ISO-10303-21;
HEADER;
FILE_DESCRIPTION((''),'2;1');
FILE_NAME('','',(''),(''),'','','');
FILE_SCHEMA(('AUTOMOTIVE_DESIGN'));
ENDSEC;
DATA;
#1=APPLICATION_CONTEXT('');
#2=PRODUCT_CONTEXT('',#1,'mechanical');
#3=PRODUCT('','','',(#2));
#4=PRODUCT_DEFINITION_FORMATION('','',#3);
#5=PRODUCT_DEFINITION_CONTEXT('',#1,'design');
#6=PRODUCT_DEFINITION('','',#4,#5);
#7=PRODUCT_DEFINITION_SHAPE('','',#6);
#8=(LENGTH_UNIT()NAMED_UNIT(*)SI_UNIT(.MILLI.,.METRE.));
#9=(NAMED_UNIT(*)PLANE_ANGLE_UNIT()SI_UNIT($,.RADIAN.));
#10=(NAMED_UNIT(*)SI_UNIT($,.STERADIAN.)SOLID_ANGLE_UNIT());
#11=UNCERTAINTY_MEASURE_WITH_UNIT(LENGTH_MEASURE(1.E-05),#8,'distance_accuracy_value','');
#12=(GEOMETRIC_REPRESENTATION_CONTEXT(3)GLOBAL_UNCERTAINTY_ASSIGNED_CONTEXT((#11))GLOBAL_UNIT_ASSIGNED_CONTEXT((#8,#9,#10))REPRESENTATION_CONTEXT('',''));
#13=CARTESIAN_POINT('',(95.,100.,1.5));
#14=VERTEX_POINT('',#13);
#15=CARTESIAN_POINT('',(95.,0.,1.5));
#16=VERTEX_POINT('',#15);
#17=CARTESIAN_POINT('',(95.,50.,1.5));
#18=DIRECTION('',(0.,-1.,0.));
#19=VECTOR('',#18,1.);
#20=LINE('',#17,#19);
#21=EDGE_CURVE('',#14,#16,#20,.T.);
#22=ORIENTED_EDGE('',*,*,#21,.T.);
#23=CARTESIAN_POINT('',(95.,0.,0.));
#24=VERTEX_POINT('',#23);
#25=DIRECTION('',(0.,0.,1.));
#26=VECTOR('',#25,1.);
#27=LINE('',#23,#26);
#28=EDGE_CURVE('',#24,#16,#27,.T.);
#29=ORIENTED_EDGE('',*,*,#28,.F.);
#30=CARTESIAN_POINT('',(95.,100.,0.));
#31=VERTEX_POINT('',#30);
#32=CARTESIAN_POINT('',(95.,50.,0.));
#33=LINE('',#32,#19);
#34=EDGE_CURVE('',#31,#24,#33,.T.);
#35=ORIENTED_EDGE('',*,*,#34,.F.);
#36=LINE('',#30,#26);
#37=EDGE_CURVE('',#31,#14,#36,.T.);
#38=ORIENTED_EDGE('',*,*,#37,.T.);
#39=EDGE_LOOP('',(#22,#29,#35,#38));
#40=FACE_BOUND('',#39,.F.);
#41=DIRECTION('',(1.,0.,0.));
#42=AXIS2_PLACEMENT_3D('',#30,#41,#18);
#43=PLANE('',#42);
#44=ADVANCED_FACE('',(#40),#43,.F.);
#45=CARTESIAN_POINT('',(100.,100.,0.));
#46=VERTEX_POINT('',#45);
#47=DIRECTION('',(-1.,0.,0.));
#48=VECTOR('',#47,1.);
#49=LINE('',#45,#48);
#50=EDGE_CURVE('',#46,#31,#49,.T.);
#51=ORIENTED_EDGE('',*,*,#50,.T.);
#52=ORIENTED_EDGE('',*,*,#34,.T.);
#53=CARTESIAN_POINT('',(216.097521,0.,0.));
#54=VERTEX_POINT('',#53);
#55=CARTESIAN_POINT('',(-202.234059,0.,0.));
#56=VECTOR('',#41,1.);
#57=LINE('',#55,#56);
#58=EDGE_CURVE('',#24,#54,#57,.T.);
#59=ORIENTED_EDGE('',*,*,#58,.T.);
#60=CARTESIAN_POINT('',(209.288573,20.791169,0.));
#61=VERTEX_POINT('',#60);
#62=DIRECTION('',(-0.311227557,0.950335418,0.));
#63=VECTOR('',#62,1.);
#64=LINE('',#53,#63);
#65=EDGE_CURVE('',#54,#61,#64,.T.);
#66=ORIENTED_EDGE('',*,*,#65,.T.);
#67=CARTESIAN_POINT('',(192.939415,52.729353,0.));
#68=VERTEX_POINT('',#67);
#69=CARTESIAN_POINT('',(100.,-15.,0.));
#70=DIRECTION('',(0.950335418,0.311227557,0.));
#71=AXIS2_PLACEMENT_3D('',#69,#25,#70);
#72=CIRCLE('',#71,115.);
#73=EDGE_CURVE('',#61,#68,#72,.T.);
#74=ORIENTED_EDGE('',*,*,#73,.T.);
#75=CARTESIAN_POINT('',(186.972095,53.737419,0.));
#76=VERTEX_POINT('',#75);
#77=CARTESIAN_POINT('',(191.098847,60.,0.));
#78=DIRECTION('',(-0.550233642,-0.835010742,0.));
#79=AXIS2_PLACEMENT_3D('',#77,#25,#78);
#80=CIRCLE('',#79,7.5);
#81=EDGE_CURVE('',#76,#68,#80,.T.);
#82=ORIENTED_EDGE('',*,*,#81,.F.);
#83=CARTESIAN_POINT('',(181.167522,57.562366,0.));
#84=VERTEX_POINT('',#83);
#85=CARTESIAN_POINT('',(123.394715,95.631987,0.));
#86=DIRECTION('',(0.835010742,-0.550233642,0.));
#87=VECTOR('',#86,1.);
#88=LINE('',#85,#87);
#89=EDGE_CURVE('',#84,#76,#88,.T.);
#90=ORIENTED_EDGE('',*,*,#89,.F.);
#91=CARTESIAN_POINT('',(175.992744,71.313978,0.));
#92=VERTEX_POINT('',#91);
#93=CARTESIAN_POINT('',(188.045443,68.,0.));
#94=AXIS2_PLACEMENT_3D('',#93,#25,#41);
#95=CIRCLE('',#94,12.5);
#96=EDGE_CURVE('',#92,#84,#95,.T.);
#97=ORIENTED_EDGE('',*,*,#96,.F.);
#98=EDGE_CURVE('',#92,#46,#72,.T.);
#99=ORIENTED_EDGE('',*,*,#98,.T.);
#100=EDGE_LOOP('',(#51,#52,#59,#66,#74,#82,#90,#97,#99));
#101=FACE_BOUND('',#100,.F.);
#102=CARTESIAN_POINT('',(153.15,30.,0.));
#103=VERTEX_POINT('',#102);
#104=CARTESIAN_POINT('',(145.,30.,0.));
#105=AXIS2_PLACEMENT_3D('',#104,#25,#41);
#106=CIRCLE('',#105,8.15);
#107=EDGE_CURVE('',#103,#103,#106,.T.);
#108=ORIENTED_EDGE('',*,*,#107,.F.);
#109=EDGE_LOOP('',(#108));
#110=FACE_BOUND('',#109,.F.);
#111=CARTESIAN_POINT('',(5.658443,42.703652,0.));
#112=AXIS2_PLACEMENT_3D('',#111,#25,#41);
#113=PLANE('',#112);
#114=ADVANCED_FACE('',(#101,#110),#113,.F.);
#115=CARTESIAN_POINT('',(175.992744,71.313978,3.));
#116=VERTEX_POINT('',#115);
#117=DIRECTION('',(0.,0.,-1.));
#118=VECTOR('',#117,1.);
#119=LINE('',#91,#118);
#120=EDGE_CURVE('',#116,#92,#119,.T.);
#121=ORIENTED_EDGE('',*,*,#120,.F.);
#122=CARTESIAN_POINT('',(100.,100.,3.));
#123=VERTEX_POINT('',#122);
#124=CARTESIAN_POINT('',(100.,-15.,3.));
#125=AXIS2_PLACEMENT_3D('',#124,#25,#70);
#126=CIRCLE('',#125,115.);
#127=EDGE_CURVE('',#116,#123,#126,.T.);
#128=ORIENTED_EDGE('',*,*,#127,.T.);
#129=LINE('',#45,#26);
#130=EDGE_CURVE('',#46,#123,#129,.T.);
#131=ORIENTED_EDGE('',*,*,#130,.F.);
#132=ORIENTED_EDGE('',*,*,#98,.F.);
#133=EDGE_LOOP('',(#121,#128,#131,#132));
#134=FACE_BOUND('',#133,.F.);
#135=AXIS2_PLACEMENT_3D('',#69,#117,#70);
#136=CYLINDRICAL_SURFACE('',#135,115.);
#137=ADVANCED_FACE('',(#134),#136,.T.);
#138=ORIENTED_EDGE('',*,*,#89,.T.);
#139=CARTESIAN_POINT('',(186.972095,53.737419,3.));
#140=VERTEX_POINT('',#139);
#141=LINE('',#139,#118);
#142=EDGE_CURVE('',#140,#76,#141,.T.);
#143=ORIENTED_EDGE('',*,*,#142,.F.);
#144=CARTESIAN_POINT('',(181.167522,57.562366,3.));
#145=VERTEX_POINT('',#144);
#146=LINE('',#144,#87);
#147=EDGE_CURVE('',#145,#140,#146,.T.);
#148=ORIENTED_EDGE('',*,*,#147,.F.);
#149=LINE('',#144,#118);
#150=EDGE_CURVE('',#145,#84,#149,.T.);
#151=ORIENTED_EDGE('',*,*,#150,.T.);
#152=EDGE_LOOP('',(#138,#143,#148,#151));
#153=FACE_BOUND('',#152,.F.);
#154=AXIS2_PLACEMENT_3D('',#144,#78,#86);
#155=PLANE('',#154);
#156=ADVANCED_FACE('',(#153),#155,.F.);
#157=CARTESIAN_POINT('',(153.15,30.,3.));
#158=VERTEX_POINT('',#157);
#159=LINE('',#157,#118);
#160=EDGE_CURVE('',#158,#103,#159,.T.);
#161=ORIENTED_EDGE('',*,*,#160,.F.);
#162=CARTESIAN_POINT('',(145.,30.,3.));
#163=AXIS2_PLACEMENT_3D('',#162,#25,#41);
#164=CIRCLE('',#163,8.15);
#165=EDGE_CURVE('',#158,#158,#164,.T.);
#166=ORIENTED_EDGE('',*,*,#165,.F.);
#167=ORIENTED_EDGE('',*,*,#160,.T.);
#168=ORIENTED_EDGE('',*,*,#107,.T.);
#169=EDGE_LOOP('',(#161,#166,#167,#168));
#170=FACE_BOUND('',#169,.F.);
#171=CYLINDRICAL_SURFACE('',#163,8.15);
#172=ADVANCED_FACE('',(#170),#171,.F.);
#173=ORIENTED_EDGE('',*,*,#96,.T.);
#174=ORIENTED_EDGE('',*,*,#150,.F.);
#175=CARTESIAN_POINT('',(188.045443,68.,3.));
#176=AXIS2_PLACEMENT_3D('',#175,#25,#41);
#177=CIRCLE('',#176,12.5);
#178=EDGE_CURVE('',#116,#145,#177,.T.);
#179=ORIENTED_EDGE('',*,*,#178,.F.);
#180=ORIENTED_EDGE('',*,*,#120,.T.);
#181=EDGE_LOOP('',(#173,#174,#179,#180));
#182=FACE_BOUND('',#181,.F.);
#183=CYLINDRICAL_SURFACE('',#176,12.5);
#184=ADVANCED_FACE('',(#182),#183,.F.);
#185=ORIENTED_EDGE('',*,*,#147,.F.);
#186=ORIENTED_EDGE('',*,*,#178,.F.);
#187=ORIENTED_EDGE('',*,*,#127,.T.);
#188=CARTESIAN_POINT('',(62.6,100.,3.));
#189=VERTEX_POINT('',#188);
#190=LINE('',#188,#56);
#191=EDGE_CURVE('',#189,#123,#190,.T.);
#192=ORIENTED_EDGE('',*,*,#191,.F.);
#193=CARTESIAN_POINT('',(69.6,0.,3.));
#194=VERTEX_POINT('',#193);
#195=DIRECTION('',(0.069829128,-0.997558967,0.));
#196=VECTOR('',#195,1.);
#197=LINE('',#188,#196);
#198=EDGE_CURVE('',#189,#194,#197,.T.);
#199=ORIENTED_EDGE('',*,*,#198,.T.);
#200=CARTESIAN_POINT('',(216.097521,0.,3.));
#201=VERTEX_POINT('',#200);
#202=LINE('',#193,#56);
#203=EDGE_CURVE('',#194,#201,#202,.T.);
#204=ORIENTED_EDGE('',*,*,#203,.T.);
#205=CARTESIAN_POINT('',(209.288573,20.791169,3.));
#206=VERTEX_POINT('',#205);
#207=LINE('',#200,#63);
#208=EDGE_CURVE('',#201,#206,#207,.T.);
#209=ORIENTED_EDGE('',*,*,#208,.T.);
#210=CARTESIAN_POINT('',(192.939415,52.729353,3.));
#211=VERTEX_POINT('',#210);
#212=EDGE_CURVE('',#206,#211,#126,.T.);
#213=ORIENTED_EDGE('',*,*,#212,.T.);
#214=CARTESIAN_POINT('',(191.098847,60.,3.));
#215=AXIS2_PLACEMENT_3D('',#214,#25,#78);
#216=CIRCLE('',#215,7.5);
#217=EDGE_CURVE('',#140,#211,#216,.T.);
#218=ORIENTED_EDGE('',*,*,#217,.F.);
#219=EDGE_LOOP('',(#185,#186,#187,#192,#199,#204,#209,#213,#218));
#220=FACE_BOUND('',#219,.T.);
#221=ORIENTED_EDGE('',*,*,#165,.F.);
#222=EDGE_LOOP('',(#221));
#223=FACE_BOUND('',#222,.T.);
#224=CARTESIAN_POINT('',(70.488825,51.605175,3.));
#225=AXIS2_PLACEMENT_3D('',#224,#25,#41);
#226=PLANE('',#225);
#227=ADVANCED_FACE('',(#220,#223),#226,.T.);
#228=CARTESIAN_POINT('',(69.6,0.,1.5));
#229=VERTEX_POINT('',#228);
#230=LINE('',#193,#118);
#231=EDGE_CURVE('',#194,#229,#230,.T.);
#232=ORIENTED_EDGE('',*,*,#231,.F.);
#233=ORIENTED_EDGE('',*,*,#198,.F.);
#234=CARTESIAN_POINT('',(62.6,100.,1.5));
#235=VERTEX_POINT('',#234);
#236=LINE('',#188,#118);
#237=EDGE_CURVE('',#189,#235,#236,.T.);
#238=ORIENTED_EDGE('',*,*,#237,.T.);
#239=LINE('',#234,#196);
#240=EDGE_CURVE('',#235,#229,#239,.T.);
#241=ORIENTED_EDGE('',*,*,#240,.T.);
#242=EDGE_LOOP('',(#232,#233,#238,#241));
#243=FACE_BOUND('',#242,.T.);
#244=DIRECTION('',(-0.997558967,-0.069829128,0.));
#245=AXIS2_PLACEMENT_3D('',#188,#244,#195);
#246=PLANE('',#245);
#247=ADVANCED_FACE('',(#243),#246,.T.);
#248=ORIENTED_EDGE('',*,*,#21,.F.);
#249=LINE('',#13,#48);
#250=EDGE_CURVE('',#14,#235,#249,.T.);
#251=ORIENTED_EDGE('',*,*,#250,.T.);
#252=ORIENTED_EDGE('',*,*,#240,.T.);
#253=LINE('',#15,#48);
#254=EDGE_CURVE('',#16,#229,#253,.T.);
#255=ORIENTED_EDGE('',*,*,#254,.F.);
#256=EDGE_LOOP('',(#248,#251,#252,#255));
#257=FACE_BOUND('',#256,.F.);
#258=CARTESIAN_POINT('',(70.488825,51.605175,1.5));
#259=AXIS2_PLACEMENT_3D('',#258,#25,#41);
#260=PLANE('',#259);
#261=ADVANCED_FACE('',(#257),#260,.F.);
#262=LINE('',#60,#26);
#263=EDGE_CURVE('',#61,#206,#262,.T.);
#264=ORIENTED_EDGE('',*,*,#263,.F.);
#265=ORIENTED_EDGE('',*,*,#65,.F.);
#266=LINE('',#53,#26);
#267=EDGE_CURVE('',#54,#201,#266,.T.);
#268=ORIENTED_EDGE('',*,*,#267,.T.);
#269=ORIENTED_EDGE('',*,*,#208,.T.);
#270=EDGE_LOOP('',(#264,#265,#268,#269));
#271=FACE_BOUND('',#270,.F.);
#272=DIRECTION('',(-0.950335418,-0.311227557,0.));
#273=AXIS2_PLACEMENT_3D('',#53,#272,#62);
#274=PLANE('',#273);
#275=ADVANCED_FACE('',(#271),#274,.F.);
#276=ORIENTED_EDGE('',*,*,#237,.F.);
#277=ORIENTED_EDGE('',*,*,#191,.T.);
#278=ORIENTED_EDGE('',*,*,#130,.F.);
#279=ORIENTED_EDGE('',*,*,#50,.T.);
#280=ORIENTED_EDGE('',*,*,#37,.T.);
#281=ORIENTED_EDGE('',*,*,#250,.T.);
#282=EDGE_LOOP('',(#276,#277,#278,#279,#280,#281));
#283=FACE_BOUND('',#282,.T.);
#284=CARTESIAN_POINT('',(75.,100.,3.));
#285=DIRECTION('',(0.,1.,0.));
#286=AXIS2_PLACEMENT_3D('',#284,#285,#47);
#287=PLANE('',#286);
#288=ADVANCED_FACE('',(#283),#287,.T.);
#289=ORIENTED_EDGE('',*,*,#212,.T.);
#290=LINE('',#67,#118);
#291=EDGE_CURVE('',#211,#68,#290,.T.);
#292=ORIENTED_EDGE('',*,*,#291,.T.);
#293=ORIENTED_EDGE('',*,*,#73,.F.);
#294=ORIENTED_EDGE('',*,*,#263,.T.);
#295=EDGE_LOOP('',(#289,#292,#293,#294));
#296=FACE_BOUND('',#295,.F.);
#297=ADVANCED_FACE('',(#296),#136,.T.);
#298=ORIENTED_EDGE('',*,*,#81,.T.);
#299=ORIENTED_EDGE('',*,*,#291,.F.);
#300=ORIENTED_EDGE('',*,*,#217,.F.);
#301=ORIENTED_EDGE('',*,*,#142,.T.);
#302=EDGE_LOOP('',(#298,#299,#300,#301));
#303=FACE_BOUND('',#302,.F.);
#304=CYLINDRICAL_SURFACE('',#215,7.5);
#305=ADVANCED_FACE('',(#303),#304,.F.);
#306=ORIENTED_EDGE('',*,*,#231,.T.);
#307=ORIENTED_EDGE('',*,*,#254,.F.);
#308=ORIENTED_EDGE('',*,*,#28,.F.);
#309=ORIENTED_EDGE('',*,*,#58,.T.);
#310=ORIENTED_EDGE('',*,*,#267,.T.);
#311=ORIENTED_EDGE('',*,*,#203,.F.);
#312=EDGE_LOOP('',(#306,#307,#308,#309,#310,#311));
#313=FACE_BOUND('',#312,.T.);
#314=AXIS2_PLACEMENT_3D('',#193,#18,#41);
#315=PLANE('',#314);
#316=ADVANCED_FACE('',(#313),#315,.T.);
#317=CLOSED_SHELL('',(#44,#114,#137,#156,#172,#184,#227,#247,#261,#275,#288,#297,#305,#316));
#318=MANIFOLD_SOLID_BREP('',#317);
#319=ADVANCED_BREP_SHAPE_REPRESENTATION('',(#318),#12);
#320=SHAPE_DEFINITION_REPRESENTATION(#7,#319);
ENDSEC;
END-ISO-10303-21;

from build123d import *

# Parameters (mm, degrees)
F1_DEPTH  = 3
F3_DEPTH  = 25
F4_R      = 5
F5_R      = 11.15
F5_R_2    = 2.65
F6_DEPTH  = 25
F7_W      = 78
F7_H      = 55.5
F7_R      = 2
F8_DEPTH  = 25
F9_R      = 8.15
F10_DEPTH = 25
F12_W     = 307.7535755343
F12_H     = 117.255145081
F13_DEPTH = 25
F14_W     = 20
F14_H     = 100
F15_DEPTH = 1.5
F17_DEPTH = 1.5
F19_DEPTH = 25


with BuildPart() as f1:
    # F0 (on Top) → F1 (new body)
    with BuildSketch(Plane.XY):
        with BuildLine():
            Line((-197.8147600734, 20.7911690818), (-202.2340594865, 0))
            Line((-202.2340594865, 0), (216.0975214603, 0))
            Line((216.0975214603, 0), (209.2885731253, 20.7911690818))
            ThreePointArc((209.2885731253, 20.7911690818), (167.4870934164, 78.1154778874), (100, 100))
            Line((100, 100), (-100, 100))
            ThreePointArc((-100, 100), (-162.932039105, 77.7145961457), (-197.8147600734, 20.7911690818))
        make_face()
    extrude(amount=F1_DEPTH)

    # F2 (on face) → F3 (cut)
    with BuildSketch(Plane.XY.offset(3)):
        with BuildLine():
            ThreePointArc((1.5842979518, 0), (9.4530988092, 4.1693984068), (12.6, 12.5))
            ThreePointArc((12.6, 12.5), (12.2192388124, 15.5741182224), (11.0999678023, 18.4624420155))
            ThreePointArc((11.0999678023, 18.4624420155), (0, 25.1), (-11.0999678023, 18.4624420155))
            ThreePointArc((-11.0999678023, 18.4624420155), (-11.1999147641, 6.7274867453), (-1.5842979518, 0))
            Line((-1.5842979518, 0), (1.5842979518, 0))
        make_face()
        with BuildLine():
            ThreePointArc((11.0999678023, 18.4624420155), (12.2192388124, 15.5741182224), (12.6, 12.5))
            ThreePointArc((12.6, 12.5), (9.4530988092, 4.1693984068), (1.5842979518, 0))
            Line((1.5842979518, 0), (21.7592636698, 0))
            Line((21.7592636698, 0), (11.0999678023, 18.4624420155))
        make_face()
        with BuildLine():
            ThreePointArc((-1.5842979518, 0), (0, -0.1), (1.5842979518, 0))
            Line((1.5842979518, 0), (-1.5842979518, 0))
        make_face()
        with BuildLine():
            ThreePointArc((-1.5842979518, 0), (-11.1999147641, 6.7274867453), (-11.0999678023, 18.4624420155))
            Line((-11.0999678023, 18.4624420155), (-21.7592636698, 0))
            Line((-21.7592636698, 0), (-1.5842979518, 0))
        make_face()
    extrude(amount=-F3_DEPTH, mode=Mode.SUBTRACT)

    # F4
    f4_edges = [f1.edges().sort_by_distance(p)[0] for p in [
        (-21.759264, 0, 1.5),
        (21.759264, 0, 1.5),
    ]]
    fillet(f4_edges, radius=F4_R)

    # F5 (on face) → F6 (cut)
    with BuildSketch(Plane.XY.offset(3)):
        Polygon((-145, 38.9489291724), (-152.75, 34.4744645862), (-152.75, 25.5255354138), (-145, 21.0510708276), (-137.25, 25.5255354138), (-137.25, 34.4744645862), align=None)
        with Locations((-115, 30)):
            Circle(F5_R)
        with Locations((-115, 60)):
            Circle(F5_R_2)
        with Locations((-145, 60)):
            Circle(F5_R_2)
    extrude(amount=-F6_DEPTH, mode=Mode.SUBTRACT)

    # F7 (on face) → F8 (cut)
    with BuildSketch(Plane.XY.offset(3)):
        with Locations((0, 57.75)):
            Rectangle(F7_W, F7_H)
        with Locations((-42.6313167033, 28.25)):
            Circle(F7_R)
        with Locations((-42.6313167033, 87.25)):
            Circle(F7_R)
        with Locations((42.3686832967, 87.25)):
            Circle(F7_R)
        with Locations((42.3686832967, 28.25)):
            Circle(F7_R)
    extrude(amount=-F8_DEPTH, mode=Mode.SUBTRACT)

    # F9 (on face) → F10 (cut)
    with BuildSketch(Plane.XY.offset(3)):
        with Locations((145, 30)):
            Circle(F9_R)
    extrude(amount=-F10_DEPTH, mode=Mode.SUBTRACT)

    # F12 (on face) → F13 (cut)
    with BuildSketch(Plane.XY.offset(3)):
        with Locations((-78.8767877671, 58.6275725405)):
            Rectangle(F12_W, F12_H)
    extrude(amount=-F13_DEPTH, mode=Mode.SUBTRACT)

    # F14 (on face) → F15 (cut)
    with BuildSketch(Plane(origin=(0, 0, 0), x_dir=(1, 0, 0), z_dir=(0, 0, -1))):
        with Locations((85, -50)):
            Rectangle(F14_W, F14_H)
    extrude(amount=-F15_DEPTH, mode=Mode.SUBTRACT)

    # F16 (on face) → F17 (join)
    with BuildSketch(Plane.XY.offset(3)):
        Polygon((75, 0), (75, 100), (62.6, 100), (69.6, 0), align=None)
    extrude(amount=-F17_DEPTH)

    # F18 (on face) → F19 (cut)
    with BuildSketch(Plane.XY.offset(3)):
        with BuildLine():
            ThreePointArc((198.5084757314, 61.1607791283), (200.0253825343, 64.4319411082), (200.5454428122, 68))
            ThreePointArc((200.5454428122, 68), (182.1177116525, 79.0050898814), (181.1675222846, 57.562365727))
            ThreePointArc((181.1675222846, 57.562365727), (182.9183296915, 56.599881095), (184.8001189484, 55.9286341693))
            ThreePointArc((184.8001189484, 55.9286341693), (188.4244577932, 67.0069708263), (198.5084757314, 61.1607791283))
        make_face()
        with BuildLine():
            ThreePointArc((184.8001189484, 55.9286341693), (182.9183296915, 56.599881095), (181.1675222846, 57.562365727))
            Line((181.1675222846, 57.562365727), (186.9720950966, 53.7374194362))
            ThreePointArc((186.9720950966, 53.7374194362), (185.772214529, 54.7201342708), (184.8001189484, 55.9286341693))
        make_face()
        with BuildLine():
            ThreePointArc((198.5988474131, 60), (198.5762203605, 60.5821458635), (198.5084757314, 61.1607791283))
            ThreePointArc((198.5084757314, 61.1607791283), (192.5027588454, 56.3217152895), (184.8001189484, 55.9286341693))
            ThreePointArc((184.8001189484, 55.9286341693), (185.772214529, 54.7201342708), (186.9720950966, 53.7374194362))
            ThreePointArc((186.9720950966, 53.7374194362), (194.655486109, 53.3969460712), (198.5988474131, 60))
        make_face()
        with BuildLine():
            ThreePointArc((184.8001189484, 55.9286341693), (192.5027588454, 56.3217152895), (198.5084757314, 61.1607791283))
            ThreePointArc((198.5084757314, 61.1607791283), (188.4244577932, 67.0069708263), (184.8001189484, 55.9286341693))
        make_face()
    extrude(amount=-F19_DEPTH, mode=Mode.SUBTRACT)


solid = f1.part
